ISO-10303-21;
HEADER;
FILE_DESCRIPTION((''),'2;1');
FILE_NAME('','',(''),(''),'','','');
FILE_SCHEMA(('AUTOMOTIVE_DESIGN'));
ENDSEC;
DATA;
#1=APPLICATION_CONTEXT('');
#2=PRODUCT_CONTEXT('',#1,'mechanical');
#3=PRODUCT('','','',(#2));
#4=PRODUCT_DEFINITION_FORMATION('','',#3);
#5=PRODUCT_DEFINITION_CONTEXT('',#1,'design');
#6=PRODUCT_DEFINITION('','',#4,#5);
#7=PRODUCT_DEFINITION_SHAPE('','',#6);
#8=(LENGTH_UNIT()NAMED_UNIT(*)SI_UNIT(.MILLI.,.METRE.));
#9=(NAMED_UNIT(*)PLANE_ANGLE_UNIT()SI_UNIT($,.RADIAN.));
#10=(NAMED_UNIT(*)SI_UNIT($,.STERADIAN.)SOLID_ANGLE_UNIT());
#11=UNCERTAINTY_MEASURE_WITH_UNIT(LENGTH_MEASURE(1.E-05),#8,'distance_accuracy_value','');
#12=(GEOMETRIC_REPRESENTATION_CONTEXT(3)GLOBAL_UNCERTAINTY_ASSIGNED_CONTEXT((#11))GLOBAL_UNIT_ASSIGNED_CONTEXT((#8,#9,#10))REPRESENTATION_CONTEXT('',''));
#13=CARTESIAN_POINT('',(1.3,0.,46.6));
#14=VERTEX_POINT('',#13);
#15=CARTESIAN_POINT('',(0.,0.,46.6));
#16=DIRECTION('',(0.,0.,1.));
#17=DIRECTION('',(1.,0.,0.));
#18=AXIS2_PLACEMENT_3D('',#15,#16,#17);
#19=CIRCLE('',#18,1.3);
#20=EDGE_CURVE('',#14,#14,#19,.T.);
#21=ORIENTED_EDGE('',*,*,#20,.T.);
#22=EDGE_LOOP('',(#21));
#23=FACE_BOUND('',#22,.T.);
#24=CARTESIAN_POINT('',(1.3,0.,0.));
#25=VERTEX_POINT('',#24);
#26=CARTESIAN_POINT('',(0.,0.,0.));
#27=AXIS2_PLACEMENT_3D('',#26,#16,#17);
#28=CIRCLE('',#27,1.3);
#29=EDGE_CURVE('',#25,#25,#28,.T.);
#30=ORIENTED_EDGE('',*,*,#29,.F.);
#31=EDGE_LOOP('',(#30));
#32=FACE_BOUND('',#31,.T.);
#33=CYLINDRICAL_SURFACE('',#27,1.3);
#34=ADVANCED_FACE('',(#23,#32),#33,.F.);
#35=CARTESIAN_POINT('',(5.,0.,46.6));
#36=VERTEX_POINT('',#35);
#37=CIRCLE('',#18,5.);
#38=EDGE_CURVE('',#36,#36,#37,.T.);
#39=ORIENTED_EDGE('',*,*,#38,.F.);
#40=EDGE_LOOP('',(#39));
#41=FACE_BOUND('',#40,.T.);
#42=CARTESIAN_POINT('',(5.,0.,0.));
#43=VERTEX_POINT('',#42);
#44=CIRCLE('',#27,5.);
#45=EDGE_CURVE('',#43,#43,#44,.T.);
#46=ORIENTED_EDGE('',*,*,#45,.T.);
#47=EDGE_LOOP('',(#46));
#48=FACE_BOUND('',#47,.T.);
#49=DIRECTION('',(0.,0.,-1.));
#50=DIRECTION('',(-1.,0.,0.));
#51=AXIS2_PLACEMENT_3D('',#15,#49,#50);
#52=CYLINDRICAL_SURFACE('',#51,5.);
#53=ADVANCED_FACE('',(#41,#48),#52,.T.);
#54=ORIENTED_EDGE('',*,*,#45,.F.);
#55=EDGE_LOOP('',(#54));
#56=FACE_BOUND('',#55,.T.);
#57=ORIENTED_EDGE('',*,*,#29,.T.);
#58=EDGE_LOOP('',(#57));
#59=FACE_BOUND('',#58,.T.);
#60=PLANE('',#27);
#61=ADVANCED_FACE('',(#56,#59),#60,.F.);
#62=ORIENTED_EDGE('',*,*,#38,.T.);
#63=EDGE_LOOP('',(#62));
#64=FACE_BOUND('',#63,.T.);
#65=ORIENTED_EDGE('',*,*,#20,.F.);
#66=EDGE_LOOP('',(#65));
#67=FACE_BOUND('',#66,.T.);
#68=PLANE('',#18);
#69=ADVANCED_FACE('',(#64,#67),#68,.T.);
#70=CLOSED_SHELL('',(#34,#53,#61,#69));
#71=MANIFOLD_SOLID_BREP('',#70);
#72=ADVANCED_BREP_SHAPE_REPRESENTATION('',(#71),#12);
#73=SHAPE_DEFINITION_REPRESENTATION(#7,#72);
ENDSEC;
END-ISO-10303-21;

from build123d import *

# Parameters (mm, degrees)
SKETCH_1_R          = 5
EXTRUDE_1_DEPTH     = 46.6
SKETCH_2_R          = 1.3
CUT_EXTRUDE_1_DEPTH = 48.133427628


with BuildPart() as part:
    # ｽｹｯﾁ1 → ﾎﾞｽ - 押し出し1 (new body)
    with BuildSketch(Plane.XY):
        Circle(SKETCH_1_R)
    extrude(amount=EXTRUDE_1_DEPTH)

    # ｽｹｯﾁ2 → ｶｯﾄ - 押し出し1 (cut, through all)
    with BuildSketch(Plane.XY.offset(46.6)):
        Circle(SKETCH_2_R)
    extrude(amount=-CUT_EXTRUDE_1_DEPTH, mode=Mode.SUBTRACT)


solid = part.part
